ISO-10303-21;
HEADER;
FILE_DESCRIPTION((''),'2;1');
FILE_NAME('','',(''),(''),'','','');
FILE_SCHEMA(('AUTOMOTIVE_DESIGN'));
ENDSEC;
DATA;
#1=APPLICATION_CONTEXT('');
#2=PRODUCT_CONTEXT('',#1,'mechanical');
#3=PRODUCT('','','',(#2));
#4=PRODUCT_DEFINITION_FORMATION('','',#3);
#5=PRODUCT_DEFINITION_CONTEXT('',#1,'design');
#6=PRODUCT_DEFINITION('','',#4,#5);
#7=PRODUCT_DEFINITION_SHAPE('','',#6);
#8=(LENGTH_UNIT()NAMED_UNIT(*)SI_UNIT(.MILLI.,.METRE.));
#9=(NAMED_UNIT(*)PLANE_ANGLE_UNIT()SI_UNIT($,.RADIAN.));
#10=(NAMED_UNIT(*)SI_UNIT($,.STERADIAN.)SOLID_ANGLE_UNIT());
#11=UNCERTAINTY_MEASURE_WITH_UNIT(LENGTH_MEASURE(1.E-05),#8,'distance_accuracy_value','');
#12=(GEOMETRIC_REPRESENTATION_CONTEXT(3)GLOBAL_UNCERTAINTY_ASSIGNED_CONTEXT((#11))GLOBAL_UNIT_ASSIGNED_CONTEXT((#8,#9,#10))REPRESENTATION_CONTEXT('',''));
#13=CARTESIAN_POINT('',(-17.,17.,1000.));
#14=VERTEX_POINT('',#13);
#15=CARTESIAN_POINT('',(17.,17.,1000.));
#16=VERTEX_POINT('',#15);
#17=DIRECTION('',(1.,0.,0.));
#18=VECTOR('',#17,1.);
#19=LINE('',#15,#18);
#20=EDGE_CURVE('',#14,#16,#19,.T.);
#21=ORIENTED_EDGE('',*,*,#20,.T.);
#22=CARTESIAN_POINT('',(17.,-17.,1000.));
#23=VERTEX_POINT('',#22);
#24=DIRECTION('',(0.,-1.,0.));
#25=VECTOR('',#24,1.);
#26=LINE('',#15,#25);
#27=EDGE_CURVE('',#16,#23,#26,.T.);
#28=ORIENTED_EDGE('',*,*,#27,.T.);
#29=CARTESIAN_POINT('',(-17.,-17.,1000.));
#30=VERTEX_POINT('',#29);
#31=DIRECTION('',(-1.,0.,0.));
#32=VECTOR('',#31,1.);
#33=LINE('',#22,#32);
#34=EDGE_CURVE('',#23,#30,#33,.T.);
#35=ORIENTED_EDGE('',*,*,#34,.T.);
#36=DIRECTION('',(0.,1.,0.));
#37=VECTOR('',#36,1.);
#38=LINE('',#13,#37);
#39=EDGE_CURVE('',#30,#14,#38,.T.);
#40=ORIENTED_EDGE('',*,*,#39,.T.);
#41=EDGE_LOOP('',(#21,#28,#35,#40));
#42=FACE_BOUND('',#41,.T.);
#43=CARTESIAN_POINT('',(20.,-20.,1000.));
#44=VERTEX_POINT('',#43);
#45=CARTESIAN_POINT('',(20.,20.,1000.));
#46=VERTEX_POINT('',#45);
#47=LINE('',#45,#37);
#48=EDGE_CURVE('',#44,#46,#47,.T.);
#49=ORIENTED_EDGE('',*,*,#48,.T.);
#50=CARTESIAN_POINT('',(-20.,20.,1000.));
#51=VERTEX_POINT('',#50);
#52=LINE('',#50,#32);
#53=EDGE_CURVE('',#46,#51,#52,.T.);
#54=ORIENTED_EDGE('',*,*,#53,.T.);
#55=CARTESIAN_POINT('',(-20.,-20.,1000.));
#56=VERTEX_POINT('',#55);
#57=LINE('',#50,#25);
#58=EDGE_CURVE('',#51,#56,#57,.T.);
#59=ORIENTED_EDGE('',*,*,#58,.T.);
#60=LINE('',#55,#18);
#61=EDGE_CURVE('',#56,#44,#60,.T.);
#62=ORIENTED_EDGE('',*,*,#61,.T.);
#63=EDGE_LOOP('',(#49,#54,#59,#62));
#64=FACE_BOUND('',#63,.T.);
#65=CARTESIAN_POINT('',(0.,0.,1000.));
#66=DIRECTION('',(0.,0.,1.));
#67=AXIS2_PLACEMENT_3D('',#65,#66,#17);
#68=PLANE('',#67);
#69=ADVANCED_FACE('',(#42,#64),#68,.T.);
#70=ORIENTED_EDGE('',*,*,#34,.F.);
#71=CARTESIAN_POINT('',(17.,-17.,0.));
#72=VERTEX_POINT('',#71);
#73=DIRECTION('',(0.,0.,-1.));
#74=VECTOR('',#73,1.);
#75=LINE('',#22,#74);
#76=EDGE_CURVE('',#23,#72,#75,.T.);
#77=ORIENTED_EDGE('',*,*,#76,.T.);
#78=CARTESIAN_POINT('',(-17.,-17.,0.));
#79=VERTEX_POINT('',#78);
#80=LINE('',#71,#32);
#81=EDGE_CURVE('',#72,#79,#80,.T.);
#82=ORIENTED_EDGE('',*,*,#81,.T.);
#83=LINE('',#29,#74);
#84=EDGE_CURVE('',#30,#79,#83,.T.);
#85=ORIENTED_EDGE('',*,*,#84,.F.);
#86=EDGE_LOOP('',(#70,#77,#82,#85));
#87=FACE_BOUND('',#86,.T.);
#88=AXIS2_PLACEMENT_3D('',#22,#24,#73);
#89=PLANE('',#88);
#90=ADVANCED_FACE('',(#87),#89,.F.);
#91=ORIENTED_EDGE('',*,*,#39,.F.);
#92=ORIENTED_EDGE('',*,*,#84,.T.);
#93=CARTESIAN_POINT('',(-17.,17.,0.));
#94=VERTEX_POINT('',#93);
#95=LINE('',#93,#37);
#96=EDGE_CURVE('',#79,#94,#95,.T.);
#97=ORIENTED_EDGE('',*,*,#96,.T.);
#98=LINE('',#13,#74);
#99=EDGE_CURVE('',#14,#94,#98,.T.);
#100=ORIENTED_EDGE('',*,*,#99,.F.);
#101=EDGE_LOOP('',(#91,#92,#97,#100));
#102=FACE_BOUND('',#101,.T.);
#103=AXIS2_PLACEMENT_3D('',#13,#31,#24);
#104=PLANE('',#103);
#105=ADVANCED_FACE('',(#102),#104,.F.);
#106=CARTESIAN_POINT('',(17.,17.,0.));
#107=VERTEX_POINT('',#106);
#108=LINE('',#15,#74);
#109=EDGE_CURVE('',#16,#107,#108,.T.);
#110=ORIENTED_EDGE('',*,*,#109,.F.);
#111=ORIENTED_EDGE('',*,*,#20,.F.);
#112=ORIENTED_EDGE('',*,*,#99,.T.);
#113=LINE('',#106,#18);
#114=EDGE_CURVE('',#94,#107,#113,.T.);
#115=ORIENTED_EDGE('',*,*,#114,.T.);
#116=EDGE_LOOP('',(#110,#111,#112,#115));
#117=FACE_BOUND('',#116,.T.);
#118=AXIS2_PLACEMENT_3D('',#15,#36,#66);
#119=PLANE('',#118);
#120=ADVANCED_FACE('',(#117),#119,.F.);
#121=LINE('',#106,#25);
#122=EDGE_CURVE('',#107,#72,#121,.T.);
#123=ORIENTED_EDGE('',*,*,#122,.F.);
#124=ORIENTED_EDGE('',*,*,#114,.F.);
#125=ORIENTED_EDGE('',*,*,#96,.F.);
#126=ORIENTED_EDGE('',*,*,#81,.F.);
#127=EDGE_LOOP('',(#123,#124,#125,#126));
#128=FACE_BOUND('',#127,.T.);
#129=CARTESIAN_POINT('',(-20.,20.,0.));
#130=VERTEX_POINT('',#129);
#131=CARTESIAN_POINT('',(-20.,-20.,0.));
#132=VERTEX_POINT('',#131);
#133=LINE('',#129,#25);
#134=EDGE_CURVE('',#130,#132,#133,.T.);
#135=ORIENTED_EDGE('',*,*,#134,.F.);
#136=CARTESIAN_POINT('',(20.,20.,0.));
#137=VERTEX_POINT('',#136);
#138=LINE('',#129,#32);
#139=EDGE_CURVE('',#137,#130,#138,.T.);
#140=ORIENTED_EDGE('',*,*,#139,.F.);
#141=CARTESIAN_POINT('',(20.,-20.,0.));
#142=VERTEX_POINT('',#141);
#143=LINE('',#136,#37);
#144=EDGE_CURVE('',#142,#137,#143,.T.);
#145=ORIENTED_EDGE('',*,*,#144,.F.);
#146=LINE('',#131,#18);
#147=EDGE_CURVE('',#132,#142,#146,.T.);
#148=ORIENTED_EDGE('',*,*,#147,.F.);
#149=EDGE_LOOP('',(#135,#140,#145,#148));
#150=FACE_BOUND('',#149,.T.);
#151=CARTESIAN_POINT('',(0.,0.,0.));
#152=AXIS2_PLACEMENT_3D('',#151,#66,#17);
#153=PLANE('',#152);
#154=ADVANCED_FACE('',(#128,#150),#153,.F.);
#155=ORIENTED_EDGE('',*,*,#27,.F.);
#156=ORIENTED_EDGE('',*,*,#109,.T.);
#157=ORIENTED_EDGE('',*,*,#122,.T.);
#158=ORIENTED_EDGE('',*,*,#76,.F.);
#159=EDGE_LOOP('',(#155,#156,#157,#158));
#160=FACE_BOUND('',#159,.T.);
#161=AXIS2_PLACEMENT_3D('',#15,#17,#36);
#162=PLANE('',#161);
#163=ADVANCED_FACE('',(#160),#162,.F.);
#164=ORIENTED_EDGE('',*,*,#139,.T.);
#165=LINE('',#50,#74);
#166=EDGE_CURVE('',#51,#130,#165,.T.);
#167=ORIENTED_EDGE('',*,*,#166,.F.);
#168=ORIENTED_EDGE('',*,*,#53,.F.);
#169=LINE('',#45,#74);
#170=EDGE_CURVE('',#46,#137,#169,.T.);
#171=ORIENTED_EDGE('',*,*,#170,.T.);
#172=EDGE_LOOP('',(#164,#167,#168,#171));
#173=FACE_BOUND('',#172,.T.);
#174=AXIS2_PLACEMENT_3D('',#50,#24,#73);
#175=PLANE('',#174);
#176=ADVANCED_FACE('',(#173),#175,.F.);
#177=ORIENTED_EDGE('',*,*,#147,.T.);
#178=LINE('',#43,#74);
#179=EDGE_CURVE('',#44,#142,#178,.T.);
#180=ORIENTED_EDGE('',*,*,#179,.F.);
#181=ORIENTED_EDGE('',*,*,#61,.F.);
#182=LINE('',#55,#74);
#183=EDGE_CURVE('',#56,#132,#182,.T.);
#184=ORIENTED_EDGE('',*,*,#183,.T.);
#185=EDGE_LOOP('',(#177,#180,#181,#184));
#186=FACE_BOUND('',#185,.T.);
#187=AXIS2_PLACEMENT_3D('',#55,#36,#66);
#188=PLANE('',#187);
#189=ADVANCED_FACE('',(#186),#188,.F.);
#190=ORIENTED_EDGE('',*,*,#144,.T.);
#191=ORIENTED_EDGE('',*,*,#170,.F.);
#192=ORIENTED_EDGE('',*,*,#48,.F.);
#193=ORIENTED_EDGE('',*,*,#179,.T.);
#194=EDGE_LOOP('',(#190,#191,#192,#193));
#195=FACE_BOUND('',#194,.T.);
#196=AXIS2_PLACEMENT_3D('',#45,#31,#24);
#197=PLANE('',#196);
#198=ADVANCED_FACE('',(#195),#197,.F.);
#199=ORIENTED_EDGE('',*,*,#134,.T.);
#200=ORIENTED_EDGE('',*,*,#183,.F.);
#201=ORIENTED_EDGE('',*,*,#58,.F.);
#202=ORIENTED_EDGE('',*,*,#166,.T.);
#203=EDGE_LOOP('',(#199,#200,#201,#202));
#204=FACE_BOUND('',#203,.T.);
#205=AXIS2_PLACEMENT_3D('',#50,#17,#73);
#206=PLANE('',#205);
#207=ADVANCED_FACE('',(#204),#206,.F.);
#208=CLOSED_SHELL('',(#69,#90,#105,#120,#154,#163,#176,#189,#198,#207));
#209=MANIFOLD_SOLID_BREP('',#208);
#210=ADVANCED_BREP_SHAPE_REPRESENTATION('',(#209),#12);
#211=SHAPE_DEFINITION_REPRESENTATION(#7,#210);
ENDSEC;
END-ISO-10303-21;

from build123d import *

# Parameters (mm, degrees)
SKETCH1_W           = 40
SKETCH1_H           = 40
BOSS_EXTRUDE1_DEPTH = 1000
SKETCH2_W           = 34
SKETCH2_H           = 34
CUT_EXTRUDE1_DEPTH  = 1000


with BuildPart() as part:
    # Sketch1 → Boss-Extrude1 (new body)
    with BuildSketch(Plane.XY):
        Rectangle(SKETCH1_W, SKETCH1_H)
    extrude(amount=BOSS_EXTRUDE1_DEPTH)

    # Sketch2 → Cut-Extrude1 (cut)
    with BuildSketch(Plane(origin=(0, 0, 0), x_dir=(-1, 0, 0), z_dir=(0, 0, -1))):
        Rectangle(SKETCH2_W, SKETCH2_H)
    extrude(amount=-CUT_EXTRUDE1_DEPTH, mode=Mode.SUBTRACT)


solid = part.part
